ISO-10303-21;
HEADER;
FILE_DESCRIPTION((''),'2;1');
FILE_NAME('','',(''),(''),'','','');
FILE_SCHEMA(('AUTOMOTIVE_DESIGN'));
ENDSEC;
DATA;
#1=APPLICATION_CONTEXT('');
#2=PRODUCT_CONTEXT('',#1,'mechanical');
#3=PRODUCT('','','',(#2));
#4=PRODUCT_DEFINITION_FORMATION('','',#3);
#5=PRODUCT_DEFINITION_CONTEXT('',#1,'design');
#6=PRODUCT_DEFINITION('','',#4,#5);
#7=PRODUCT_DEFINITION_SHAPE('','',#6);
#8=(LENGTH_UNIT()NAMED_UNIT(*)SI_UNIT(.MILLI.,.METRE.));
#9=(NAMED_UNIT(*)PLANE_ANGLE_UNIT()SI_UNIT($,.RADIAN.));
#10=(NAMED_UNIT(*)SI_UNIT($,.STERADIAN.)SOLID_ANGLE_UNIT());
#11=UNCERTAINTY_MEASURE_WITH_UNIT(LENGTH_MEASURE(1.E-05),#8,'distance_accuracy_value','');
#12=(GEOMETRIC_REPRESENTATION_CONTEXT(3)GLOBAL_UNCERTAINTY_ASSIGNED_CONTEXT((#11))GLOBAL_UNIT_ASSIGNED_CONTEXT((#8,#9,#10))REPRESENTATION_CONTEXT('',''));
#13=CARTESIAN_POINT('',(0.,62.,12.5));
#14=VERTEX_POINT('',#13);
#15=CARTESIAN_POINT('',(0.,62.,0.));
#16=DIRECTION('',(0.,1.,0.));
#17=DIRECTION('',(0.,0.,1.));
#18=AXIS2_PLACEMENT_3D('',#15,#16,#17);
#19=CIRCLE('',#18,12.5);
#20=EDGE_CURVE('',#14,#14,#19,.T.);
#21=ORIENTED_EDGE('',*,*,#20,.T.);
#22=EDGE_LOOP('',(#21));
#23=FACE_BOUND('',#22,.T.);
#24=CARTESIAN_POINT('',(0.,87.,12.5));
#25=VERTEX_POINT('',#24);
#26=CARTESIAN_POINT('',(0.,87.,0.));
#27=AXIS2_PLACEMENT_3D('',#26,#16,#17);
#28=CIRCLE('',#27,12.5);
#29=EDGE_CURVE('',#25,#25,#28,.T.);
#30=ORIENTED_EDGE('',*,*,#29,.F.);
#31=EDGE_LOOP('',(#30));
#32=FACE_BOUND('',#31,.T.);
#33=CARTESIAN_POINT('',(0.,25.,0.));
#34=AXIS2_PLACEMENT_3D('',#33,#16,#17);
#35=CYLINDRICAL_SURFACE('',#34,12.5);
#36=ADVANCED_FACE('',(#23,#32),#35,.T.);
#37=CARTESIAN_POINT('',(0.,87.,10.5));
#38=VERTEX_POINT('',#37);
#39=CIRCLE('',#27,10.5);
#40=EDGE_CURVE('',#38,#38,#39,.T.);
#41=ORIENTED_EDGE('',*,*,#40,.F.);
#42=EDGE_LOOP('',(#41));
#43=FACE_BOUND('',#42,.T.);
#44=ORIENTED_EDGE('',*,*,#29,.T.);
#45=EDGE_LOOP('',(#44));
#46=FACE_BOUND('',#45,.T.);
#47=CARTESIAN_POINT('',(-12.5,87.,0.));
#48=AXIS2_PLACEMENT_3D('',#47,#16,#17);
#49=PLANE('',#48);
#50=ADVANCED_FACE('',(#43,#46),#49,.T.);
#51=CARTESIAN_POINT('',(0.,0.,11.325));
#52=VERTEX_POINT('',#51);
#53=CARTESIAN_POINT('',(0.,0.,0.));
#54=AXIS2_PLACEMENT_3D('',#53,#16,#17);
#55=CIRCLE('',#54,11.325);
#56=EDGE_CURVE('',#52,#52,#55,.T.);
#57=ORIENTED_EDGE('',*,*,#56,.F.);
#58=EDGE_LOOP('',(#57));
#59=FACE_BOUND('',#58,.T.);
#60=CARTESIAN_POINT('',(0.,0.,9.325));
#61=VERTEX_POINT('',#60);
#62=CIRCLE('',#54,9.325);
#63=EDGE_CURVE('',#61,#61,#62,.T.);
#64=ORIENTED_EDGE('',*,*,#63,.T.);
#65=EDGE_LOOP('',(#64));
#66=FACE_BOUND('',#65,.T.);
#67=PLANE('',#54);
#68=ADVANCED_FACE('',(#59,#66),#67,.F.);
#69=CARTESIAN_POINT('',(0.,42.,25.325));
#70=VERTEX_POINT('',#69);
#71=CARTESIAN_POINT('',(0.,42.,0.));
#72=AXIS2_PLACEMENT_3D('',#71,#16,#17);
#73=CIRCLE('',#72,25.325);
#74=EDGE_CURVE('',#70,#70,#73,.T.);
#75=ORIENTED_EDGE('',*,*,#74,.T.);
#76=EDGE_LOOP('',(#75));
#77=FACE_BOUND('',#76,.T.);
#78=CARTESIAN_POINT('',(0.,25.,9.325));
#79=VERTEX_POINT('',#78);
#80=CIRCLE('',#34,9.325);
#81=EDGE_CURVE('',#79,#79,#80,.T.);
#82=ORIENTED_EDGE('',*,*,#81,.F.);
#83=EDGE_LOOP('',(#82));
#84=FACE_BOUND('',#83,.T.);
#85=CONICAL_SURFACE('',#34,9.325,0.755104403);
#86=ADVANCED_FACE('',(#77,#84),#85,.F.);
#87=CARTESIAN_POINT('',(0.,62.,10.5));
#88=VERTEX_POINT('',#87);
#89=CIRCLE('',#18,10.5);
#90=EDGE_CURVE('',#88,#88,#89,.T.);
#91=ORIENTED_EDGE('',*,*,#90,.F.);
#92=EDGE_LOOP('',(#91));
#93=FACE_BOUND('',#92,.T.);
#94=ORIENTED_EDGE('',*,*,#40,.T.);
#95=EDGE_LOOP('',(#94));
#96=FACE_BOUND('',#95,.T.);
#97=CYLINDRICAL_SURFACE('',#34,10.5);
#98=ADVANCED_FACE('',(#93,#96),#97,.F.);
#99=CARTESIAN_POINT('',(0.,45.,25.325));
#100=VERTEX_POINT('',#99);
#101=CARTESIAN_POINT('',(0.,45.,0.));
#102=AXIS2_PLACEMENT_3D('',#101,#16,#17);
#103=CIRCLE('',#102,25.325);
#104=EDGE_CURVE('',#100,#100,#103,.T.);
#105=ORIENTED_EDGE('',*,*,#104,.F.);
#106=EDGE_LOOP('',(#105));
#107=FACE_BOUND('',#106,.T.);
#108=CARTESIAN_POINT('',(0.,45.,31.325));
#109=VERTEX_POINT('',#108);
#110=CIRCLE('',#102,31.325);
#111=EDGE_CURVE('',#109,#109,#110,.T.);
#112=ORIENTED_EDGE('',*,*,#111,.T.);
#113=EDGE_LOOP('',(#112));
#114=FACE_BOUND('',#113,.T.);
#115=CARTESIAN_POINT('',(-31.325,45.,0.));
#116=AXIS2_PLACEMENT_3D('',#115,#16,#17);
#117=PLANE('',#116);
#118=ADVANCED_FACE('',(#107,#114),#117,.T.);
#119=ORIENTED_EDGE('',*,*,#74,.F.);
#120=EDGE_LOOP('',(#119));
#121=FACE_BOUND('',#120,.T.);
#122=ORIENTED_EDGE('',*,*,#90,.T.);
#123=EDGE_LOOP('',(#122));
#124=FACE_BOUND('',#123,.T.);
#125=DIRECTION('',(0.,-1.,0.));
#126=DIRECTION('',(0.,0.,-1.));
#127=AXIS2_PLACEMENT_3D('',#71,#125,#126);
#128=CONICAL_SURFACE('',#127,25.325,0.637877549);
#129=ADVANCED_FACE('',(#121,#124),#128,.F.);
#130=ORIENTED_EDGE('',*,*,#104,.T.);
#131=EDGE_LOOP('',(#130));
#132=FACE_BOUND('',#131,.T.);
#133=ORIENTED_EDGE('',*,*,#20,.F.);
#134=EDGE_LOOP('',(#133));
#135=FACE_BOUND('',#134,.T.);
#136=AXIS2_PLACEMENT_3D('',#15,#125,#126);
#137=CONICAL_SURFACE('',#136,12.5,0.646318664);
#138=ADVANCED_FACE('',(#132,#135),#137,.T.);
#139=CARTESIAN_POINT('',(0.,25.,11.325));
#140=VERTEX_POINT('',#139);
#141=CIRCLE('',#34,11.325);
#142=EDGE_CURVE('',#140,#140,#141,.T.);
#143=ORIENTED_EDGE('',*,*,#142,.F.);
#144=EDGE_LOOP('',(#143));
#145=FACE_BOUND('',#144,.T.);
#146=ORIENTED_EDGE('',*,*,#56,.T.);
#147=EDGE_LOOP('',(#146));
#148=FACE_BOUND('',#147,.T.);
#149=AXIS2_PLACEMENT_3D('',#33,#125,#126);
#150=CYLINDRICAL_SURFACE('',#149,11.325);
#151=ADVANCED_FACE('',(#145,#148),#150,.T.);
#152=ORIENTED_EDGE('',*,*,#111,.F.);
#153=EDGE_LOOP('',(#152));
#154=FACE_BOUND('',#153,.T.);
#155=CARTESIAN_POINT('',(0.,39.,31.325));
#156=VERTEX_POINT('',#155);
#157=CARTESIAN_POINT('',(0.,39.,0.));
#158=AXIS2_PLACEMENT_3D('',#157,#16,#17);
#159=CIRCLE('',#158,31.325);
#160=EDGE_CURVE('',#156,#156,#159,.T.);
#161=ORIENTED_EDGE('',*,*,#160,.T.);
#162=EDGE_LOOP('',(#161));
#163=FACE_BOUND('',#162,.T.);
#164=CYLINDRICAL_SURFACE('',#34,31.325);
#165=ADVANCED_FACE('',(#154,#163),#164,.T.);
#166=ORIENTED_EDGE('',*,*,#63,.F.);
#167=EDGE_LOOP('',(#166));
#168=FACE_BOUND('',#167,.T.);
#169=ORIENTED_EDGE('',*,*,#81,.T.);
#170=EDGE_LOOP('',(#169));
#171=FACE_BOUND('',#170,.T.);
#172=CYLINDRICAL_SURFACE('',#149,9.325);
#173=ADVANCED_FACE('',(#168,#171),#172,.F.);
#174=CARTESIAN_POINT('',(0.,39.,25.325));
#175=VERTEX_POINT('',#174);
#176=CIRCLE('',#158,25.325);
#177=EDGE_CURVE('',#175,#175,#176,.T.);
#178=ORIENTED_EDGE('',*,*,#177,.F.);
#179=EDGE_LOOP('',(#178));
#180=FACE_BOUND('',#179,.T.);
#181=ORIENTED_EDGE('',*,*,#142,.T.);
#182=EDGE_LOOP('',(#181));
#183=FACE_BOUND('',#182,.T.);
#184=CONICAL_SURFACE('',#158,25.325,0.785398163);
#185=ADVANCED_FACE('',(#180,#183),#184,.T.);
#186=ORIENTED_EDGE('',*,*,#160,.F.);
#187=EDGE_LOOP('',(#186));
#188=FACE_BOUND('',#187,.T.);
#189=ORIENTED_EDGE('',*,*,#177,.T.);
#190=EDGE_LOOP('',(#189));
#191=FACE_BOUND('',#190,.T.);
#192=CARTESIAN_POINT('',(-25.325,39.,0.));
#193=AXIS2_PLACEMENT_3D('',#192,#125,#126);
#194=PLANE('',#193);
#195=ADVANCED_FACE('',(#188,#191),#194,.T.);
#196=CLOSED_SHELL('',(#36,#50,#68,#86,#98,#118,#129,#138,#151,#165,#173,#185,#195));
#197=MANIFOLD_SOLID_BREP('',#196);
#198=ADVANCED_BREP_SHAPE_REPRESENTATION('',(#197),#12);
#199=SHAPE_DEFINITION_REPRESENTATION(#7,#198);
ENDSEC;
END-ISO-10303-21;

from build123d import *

# Parameters (mm, degrees)
SKETCH1_R           = 11.325
SKETCH1_R_2         = 9.325
BOSS_EXTRUDE1_DEPTH = 25


with BuildPart() as part:
    # Sketch1 → Boss-Extrude1 (new body)
    with BuildSketch(Plane(origin=(0, 0, 0), x_dir=(1, 0, 0), z_dir=(0, 1, 0))):
        with Locations(Location((0, 0, 0), (0, 0, 270))):
            Circle(SKETCH1_R)
        with Locations(Location((0, 0, 0), (0, 0, 270))):
            Circle(SKETCH1_R_2, mode=Mode.SUBTRACT)
    extrude(amount=BOSS_EXTRUDE1_DEPTH)

    # Sketch10 → Revolve1 (revolve)
    with BuildSketch(Plane.XY, mode=Mode.PRIVATE) as revolve1_sk:
        Polygon((-11.325, 25), (-25.325, 39), (-31.325, 39), (-31.325, 42), (-25.325, 42), (-9.325, 25), align=None)
    revolve(revolve1_sk.sketch.rotate(Axis((0, 25, 0), (0, -1, 0)), 270), axis=Axis((0, 25, 0), (0, -1, 0)))

    # Sketch11 → Revolve2 (revolve)
    with BuildSketch(Plane.XY, mode=Mode.PRIVATE) as revolve2_sk:
        Polygon((-31.325, 42), (-31.325, 45), (-25.325, 45), (-12.5, 62), (-12.5, 87), (-10.5, 87), (-10.5, 62), (-25.325, 42), align=None)
    revolve(revolve2_sk.sketch.rotate(Axis((0, 25, 0), (0, -1, 0)), 270), axis=Axis((0, 25, 0), (0, -1, 0)))


solid = part.part
